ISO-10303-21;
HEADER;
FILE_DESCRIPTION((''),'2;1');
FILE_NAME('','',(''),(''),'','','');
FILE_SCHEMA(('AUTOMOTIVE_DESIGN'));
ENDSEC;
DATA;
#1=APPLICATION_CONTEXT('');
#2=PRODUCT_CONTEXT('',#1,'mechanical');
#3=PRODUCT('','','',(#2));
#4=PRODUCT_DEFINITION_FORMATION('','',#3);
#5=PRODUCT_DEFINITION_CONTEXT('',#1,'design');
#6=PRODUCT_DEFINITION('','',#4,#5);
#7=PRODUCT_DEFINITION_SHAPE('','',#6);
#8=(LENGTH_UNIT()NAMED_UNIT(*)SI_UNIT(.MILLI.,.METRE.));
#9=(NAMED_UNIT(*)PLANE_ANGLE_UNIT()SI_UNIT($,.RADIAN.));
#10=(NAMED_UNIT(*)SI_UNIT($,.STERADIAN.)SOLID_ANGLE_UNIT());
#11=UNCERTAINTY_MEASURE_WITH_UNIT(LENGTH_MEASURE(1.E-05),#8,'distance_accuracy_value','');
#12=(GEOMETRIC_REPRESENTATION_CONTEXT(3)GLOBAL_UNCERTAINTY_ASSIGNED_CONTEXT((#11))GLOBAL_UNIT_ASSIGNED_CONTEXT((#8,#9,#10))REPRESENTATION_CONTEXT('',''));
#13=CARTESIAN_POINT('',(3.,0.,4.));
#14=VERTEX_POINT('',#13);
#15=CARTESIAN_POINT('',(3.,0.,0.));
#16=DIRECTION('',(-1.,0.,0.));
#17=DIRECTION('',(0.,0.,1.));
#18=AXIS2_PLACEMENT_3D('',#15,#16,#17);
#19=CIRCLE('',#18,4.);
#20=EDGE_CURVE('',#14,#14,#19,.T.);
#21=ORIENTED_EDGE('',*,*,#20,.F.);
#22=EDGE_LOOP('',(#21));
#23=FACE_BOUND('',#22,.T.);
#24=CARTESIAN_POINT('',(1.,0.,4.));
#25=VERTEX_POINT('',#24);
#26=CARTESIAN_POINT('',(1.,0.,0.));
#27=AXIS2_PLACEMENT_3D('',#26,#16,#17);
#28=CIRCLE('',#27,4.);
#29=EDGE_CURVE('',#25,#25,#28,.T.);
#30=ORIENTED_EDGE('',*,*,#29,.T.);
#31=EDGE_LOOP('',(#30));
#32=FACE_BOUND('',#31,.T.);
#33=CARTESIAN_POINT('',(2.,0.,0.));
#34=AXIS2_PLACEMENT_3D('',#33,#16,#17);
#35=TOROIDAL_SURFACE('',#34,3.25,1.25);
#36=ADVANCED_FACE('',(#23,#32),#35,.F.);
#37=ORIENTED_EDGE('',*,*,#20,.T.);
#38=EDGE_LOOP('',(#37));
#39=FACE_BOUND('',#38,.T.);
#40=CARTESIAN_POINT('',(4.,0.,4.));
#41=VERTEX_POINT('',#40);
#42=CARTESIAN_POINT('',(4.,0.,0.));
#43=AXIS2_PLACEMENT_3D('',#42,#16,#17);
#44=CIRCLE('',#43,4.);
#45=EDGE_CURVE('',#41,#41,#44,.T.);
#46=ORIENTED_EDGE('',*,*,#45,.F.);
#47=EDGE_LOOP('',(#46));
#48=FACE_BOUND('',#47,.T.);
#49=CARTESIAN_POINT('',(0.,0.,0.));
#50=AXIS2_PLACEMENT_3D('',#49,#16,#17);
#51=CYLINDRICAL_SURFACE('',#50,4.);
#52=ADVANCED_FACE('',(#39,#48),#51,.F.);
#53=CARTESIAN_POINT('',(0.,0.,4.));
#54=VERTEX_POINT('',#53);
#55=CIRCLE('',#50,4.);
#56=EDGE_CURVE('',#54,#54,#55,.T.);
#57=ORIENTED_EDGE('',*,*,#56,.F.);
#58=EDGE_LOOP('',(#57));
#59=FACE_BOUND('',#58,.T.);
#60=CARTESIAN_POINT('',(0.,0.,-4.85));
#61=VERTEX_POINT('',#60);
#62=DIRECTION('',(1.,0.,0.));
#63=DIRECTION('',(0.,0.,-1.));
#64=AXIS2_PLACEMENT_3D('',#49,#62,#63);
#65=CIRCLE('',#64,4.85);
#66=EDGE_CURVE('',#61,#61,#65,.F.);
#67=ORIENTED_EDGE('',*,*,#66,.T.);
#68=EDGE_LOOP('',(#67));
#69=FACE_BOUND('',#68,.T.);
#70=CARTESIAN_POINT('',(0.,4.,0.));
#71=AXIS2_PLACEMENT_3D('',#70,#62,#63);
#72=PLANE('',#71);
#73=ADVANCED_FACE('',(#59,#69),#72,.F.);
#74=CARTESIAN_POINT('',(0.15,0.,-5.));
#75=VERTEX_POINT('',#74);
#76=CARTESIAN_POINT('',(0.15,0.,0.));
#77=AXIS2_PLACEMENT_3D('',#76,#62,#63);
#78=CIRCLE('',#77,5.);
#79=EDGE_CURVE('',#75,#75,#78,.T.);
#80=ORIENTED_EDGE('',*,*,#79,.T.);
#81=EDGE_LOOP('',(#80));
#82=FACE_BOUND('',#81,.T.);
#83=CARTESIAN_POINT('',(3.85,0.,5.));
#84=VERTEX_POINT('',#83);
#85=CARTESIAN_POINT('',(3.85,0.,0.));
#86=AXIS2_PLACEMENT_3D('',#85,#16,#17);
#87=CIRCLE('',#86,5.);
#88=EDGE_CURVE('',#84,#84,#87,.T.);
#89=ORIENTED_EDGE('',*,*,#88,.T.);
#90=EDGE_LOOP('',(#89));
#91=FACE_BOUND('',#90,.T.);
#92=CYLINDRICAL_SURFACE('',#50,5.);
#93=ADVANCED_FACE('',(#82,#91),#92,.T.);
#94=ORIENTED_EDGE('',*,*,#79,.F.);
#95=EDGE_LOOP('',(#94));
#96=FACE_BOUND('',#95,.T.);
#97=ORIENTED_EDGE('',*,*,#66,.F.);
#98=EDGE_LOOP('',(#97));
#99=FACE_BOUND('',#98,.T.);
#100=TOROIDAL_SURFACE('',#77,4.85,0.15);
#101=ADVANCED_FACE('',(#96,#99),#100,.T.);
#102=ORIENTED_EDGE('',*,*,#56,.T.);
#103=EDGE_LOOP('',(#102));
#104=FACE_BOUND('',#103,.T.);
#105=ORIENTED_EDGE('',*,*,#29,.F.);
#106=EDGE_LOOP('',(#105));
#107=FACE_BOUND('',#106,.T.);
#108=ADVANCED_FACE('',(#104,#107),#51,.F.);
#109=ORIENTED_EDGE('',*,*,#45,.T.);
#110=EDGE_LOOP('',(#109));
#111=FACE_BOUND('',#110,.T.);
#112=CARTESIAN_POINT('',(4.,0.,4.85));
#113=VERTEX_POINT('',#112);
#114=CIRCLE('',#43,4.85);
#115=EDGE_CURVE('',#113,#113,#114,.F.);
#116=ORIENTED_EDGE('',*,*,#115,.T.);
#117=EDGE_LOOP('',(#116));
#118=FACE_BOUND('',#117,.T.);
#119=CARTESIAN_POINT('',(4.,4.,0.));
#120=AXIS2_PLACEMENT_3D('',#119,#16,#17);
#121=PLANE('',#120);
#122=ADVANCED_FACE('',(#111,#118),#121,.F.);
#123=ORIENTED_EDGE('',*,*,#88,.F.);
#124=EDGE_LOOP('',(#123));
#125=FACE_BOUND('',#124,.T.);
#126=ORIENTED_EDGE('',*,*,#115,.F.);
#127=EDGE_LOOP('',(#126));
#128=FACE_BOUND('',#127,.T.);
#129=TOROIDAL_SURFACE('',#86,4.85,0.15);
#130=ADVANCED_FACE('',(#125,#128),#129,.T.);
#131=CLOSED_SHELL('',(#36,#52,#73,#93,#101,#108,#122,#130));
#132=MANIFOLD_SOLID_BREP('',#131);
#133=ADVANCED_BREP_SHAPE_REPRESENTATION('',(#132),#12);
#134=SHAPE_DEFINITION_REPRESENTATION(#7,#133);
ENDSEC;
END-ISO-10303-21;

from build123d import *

# Parameters (mm, degrees)
CONG_1_R = 0.15


with BuildPart() as part:
    # Esquisse1 → Base-Révolution (revolve)
    with BuildSketch(Plane.XY):
        with BuildLine():
            Line((0, 4), (1, 4))
            ThreePointArc((1, 4), (2, 4.5), (3, 4))
            Line((3, 4), (4, 4))
            Line((4, 4), (4, 5))
            Line((4, 5), (0, 5))
            Line((0, 5), (0, 4))
        make_face()
    revolve(axis=Axis((0, 0, 0), (1, 0, 0)))

    # Congé1
    cong_1_edges = [part.edges().sort_by_distance(p)[0] for p in [
        (4, -5, 0),
        (0, -5, 0),
    ]]
    fillet(cong_1_edges, radius=CONG_1_R)


solid = part.part
